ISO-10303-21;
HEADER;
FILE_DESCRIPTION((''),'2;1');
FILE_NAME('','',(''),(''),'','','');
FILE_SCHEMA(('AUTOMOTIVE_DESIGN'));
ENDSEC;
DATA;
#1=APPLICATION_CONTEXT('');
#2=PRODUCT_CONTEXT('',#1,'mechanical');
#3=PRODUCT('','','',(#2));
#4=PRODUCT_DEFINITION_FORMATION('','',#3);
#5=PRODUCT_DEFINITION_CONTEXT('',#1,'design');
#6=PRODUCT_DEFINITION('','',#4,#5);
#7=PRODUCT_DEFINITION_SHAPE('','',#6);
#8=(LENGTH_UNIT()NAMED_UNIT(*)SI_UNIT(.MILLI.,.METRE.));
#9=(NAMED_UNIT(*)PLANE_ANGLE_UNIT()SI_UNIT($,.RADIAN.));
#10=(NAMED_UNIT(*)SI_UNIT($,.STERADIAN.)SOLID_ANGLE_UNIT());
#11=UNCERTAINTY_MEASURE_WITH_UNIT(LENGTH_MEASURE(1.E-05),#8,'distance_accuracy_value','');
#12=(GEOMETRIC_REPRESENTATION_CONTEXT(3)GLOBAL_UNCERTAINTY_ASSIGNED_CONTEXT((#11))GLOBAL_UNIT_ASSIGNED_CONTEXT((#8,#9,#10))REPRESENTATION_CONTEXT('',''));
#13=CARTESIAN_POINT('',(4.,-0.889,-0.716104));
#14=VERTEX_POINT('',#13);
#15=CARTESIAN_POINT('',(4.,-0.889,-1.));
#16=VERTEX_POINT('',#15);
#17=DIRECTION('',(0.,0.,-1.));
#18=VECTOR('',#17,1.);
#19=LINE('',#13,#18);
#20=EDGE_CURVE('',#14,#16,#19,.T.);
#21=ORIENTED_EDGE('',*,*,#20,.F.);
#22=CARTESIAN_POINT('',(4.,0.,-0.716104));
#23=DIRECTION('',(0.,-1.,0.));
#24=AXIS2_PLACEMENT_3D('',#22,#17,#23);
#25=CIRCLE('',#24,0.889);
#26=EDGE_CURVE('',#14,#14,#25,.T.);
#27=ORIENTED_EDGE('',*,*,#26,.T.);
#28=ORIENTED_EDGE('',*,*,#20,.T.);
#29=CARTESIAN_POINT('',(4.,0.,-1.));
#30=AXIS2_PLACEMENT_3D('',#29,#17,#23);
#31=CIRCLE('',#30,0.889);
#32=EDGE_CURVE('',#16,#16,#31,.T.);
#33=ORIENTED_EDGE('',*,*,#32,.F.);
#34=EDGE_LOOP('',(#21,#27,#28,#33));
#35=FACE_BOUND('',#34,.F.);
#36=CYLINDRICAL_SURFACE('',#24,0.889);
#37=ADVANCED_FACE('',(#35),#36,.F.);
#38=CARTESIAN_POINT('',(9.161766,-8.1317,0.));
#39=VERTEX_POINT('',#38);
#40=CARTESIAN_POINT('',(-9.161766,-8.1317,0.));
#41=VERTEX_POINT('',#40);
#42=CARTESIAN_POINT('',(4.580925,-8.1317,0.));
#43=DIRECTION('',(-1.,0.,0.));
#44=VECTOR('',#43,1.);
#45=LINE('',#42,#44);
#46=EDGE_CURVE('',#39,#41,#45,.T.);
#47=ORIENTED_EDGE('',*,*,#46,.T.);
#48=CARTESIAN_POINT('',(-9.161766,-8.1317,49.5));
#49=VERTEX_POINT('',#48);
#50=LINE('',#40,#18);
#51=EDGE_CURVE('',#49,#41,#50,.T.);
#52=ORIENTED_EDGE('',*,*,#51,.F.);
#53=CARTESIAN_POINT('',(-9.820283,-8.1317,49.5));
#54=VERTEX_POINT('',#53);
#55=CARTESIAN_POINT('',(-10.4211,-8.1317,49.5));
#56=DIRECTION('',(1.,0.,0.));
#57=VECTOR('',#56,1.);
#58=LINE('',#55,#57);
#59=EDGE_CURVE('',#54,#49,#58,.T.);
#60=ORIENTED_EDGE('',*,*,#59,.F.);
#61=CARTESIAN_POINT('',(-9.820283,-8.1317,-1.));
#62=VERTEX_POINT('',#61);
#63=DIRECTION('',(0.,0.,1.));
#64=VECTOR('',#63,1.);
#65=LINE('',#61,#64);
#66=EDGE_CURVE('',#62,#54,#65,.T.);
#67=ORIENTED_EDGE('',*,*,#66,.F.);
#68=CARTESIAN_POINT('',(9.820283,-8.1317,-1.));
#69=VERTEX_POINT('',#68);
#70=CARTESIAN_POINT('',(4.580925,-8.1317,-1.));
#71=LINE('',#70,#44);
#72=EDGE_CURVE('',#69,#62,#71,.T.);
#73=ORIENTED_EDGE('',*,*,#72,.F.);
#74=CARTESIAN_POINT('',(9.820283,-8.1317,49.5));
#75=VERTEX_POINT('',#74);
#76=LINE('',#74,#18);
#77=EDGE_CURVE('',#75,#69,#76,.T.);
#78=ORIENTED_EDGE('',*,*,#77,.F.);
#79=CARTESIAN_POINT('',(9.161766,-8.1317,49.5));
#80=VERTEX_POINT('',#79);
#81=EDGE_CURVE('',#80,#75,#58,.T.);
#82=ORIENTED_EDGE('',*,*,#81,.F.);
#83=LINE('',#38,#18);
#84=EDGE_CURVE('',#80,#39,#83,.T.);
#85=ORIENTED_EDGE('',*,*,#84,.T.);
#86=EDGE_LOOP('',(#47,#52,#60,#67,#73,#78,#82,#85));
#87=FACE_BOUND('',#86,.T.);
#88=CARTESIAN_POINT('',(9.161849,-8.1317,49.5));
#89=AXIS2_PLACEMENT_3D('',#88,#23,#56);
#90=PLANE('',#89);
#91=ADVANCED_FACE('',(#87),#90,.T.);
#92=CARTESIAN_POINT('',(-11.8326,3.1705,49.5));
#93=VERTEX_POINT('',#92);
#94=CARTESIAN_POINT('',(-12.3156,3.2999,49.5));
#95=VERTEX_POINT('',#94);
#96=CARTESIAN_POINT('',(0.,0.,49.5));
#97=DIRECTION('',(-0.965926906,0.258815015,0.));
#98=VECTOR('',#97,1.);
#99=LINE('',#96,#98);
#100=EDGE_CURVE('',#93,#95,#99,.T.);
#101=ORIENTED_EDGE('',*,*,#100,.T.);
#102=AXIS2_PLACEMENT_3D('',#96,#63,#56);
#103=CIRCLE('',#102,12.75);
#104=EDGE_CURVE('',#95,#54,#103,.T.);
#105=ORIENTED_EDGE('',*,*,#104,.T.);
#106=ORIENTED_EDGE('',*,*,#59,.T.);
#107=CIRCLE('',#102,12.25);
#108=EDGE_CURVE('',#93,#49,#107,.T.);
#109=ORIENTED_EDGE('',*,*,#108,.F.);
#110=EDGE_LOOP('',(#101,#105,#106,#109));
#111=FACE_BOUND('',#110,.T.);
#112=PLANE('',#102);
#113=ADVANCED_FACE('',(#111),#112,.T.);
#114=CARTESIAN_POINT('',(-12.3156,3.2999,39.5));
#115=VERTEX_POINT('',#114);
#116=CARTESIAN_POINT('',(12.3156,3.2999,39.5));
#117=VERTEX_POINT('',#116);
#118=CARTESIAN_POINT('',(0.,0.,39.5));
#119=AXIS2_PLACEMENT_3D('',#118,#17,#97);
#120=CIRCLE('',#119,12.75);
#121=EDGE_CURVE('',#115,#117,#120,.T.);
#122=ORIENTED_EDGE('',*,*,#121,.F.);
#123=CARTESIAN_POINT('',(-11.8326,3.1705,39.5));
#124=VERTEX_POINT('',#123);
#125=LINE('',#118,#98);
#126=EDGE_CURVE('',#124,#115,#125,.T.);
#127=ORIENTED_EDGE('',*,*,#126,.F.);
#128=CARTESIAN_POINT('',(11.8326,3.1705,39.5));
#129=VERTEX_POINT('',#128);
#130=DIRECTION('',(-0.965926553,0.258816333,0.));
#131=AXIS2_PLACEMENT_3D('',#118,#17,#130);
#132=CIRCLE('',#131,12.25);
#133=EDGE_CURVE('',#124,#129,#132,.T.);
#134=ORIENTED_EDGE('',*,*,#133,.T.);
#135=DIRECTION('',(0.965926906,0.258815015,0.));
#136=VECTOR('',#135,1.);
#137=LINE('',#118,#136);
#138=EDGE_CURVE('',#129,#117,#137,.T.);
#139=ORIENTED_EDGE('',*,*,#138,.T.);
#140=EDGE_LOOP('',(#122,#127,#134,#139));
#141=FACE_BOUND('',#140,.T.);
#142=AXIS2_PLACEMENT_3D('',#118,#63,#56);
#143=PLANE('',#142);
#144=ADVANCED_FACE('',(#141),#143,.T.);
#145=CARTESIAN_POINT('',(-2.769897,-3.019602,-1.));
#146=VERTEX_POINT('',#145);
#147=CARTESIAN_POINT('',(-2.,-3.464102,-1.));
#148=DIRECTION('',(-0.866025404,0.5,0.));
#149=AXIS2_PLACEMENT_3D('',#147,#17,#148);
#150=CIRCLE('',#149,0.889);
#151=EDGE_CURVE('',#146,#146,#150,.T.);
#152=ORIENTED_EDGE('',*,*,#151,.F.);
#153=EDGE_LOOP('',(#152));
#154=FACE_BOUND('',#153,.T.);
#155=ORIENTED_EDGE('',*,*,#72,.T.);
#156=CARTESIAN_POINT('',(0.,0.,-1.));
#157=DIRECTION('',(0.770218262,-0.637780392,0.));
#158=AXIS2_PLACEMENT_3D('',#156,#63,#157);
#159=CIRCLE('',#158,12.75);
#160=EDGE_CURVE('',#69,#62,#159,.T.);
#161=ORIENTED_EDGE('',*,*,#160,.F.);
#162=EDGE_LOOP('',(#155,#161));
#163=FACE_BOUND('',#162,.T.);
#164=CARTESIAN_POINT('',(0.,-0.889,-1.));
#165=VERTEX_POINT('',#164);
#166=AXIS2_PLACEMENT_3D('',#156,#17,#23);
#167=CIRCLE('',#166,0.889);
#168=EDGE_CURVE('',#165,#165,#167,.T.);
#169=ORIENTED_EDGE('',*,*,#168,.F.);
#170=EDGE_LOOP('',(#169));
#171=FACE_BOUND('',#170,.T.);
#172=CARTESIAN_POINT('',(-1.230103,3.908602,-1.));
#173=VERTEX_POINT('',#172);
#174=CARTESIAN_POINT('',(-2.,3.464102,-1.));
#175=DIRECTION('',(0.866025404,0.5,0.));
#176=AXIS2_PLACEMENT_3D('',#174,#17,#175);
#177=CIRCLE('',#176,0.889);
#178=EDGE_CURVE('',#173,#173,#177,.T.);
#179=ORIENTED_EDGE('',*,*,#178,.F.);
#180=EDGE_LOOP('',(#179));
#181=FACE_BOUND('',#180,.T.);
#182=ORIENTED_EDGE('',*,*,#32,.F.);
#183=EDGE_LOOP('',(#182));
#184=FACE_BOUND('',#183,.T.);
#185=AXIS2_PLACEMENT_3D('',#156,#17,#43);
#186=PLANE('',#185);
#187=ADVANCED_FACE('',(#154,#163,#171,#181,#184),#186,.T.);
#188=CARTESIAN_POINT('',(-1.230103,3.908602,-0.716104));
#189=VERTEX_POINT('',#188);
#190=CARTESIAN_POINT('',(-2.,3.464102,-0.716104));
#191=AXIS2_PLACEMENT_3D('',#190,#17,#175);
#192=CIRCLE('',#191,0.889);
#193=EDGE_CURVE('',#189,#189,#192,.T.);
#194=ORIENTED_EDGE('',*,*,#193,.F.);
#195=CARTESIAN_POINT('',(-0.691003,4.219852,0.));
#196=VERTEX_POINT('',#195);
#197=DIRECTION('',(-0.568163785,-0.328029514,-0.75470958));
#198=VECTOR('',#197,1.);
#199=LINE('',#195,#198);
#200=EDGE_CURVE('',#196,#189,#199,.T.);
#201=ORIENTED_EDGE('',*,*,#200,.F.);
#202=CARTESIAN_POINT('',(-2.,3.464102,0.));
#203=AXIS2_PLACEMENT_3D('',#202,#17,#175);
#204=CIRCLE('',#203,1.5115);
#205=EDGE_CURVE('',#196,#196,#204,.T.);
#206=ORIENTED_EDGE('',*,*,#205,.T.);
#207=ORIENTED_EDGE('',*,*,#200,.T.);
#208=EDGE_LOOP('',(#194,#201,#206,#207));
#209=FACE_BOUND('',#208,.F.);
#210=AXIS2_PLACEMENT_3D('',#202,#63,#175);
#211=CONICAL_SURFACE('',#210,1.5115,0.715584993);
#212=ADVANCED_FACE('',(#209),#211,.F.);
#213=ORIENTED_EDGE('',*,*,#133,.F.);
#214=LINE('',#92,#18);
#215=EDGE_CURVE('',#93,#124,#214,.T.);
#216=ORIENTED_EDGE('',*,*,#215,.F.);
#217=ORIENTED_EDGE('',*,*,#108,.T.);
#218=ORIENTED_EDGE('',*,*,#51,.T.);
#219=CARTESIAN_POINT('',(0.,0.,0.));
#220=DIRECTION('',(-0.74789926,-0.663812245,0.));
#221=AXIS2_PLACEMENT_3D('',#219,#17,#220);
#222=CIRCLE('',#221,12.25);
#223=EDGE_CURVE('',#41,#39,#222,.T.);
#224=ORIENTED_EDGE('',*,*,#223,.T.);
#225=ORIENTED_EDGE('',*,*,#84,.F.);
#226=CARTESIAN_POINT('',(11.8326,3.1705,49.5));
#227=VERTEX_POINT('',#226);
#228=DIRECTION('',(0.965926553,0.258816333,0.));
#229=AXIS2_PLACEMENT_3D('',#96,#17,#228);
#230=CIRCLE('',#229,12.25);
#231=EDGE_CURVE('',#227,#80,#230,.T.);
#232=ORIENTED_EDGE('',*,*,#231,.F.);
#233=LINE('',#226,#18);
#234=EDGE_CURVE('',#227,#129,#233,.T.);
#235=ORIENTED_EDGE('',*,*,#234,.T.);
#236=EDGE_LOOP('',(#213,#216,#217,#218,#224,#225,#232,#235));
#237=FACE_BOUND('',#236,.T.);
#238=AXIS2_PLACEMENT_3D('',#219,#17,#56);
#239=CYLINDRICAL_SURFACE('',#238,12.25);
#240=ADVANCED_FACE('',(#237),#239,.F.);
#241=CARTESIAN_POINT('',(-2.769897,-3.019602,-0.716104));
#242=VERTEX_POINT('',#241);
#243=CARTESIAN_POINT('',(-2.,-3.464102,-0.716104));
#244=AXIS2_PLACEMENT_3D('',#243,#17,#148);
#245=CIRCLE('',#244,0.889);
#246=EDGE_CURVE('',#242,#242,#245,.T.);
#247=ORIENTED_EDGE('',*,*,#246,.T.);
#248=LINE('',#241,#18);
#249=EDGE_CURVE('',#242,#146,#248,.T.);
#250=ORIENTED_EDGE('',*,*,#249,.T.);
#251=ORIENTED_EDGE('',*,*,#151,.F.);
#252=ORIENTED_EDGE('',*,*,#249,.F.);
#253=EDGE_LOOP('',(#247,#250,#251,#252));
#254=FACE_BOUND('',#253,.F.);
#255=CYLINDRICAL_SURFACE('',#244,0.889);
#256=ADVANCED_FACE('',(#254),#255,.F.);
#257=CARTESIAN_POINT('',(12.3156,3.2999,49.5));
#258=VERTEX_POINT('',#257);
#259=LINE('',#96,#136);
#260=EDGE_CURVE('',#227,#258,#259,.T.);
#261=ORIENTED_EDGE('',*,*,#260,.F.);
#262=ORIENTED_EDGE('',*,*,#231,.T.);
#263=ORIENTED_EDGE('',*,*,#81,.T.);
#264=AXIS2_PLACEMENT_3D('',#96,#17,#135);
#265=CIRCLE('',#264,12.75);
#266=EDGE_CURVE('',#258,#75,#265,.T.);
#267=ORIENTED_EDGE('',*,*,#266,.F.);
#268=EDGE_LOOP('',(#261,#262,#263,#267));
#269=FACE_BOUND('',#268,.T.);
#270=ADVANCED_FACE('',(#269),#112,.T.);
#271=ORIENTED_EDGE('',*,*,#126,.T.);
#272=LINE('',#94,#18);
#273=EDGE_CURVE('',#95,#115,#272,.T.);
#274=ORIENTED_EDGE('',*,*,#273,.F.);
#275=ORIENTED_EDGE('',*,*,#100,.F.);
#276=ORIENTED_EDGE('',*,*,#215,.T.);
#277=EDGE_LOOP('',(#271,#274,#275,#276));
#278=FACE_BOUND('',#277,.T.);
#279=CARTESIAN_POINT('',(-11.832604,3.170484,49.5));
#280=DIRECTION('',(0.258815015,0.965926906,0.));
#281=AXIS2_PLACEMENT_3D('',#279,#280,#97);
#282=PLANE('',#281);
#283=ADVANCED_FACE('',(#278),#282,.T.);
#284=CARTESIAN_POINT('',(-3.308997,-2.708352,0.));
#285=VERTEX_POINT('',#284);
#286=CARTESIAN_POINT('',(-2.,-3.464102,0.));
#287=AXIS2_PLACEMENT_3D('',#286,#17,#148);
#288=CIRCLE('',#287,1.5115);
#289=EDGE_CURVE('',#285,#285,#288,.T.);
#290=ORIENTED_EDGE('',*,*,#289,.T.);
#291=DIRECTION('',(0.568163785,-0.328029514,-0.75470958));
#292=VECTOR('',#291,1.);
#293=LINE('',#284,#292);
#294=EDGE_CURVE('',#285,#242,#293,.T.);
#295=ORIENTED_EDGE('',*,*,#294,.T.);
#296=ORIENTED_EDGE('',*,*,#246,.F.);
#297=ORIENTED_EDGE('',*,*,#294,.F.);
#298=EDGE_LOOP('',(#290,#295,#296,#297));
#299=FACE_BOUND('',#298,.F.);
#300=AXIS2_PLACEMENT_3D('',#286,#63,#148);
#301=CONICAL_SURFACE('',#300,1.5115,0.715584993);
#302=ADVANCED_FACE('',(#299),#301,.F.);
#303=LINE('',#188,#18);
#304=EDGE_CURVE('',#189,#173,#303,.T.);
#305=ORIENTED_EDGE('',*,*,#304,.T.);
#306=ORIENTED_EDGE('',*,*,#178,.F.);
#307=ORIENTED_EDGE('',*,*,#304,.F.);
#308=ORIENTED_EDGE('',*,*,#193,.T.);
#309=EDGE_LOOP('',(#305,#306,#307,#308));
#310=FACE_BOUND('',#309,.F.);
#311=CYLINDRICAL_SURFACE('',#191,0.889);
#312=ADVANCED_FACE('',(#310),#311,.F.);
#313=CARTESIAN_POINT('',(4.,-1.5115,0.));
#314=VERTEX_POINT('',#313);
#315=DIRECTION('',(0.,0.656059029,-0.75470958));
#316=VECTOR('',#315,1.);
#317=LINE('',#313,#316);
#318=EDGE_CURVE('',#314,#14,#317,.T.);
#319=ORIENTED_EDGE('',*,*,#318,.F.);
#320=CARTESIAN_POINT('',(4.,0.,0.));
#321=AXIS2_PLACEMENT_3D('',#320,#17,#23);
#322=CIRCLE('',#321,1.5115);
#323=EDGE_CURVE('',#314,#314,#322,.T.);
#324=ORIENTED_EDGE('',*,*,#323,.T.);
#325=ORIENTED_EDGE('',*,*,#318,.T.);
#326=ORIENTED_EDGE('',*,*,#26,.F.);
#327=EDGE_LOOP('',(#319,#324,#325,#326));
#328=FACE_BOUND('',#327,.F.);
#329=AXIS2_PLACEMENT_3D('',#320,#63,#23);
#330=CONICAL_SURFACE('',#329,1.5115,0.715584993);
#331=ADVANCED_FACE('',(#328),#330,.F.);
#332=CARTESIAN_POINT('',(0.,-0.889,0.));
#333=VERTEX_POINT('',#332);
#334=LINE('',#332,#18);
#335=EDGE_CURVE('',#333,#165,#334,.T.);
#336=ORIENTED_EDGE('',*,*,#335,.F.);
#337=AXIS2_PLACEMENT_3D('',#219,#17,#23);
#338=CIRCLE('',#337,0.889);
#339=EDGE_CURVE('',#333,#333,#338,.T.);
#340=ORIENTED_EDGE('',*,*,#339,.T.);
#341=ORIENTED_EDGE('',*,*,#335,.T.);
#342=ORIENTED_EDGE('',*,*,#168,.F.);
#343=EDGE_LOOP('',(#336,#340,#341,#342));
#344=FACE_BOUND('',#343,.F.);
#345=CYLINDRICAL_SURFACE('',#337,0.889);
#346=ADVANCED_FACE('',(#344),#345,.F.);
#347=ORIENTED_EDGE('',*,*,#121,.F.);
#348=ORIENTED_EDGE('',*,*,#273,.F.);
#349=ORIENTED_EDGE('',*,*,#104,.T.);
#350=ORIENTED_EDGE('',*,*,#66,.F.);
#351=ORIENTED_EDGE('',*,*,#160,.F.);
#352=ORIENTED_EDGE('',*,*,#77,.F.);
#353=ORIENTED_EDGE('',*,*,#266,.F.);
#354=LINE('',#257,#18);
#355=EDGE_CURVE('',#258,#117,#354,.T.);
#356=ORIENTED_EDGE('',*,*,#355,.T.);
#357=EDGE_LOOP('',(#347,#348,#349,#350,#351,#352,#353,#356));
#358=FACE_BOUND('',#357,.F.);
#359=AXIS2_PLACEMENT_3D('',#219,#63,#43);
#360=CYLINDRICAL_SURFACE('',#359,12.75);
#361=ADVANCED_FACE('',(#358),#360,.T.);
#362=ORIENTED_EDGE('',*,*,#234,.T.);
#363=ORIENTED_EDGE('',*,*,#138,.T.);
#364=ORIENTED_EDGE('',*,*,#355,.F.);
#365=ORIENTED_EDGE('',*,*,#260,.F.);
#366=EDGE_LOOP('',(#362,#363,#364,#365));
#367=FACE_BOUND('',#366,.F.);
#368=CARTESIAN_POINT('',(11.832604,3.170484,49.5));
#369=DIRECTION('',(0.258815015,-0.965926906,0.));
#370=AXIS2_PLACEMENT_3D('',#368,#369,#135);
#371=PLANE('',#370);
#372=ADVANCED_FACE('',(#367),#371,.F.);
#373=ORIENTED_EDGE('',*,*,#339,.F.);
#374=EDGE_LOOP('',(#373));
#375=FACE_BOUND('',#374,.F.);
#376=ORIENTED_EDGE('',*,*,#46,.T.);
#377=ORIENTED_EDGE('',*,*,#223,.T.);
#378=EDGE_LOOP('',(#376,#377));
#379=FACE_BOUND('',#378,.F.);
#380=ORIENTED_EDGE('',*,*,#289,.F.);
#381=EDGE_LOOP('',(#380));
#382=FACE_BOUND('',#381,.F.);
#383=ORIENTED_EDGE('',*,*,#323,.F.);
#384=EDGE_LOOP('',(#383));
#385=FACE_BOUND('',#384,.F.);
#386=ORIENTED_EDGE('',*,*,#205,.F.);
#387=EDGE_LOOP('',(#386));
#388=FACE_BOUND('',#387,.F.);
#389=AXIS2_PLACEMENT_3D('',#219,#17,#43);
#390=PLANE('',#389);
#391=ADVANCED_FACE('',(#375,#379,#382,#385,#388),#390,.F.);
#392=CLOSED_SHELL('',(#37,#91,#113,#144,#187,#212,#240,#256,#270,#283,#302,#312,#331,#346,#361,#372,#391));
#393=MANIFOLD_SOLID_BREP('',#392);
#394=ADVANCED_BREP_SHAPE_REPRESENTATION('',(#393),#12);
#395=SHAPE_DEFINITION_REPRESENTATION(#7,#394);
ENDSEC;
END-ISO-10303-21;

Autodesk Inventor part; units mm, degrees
ref_plane "YZ Plane" through (0, 0, 0) normal (1, 0, 0) x (0, 1, 0)
sketch "Sketch1" plane through (0, 0, 0) normal (0, 0, 1) x (1, 0, 0)
  circle A0 centre (0, 0) radius 12.75
  circle A1 centre (0, 0) radius 12.25
  dimension "d0" = 25.5
  dimension "d1" = 24.5
extrude "Extrusion1" add sketch "Sketch1" along normal blind 49.5
sketch "Sketch2" plane through (0, 0, 49.5) normal (0, 0, 1) x (1, 0, 0)
  line L0 (-17.85, 0) -> (17.85, 0) projected
  line L1 (0, -17.85) -> (0, 17.85) projected
  line L2 (0, 0) -> (-12.3156, 3.2999)
  line L3 (0, 0) -> (-9.0156, -9.0156)
  line L4 (0, 0) -> (12.3156, 3.2999)
  line L5 (0, 0) -> (9.0156, -9.0156)
  arc A0 (11.8326, 3.1705) -> (-11.8326, 3.1705) centre (0, 0) ccw
  arc A1 (-8.6621, -8.6621) -> (8.6621, -8.6621) centre (0, 0) ccw
  circle A2 centre (0, 0) radius 12.75 projected
  dimension "d4" = 15
  dimension "d5" = 45
extrude "Extrusion2" cut sketch "Sketch2" against normal blind 10 contours L5 A1 L1 | L1 A1 L3 | A1 L5 A2 L1 | L1 A2 L3 A1 | A0 L2 A2 L1 | L1 A2 L4 A0
sketch "Sketch3" plane through (0, 0, 0) normal (0, 0, -1) x (-1, 0, 0)
  circle A0 centre (0, 0) radius 12.75 projected
extrude "Extrusion3" add sketch "Sketch3" along normal blind 1
ref_plane "Work Plane1" through (0, -12.75, 0) normal (0, 1, 0) x (-1, 0, 0)
ref_plane "Work Plane2" through (0, -12.75, 0) normal (0, 1, 0) x (-1, 0, 0)
sketch "Sketch7" plane through (0, 0, 49.5) normal (0, 0, 1) x (1, 0, 0)
  arc A0 (9.0156, -9.0156) -> (12.3156, 3.2999) centre (0, 0) ccw projected
  arc A1 (8.6621, -8.6621) -> (11.8326, 3.1705) centre (0, 0) ccw projected
  line L0 (8.6621, -8.6621) -> (9.0156, -9.0156) projected
  line L1 (-10.4211, -8.1317) -> (11.1081, -8.1317)
  line L2 (11.1081, -8.1317) -> (11.1081, -13.0652)
  line L3 (11.1081, -13.0652) -> (-10.4211, -13.0652)
  line L4 (-10.4211, -13.0652) -> (-10.4211, -8.1317)
extrude "Extrusion6" cut sketch "Sketch7" against normal through all
sketch "Sketch9" plane through (0, 0, 0) normal (0, 0, 1) x (1, 0, 0)
  arc A0 (9.1617, -8.1317) -> (-9.1617, -8.1317) centre (0, 0) ccw projected
  line L0 (-17.85, 0) -> (17.85, 0) projected
  point P0 (4, 0)
  dimension "d29" = 4
hole "Hole2" at (4, 0, 0) direction (0, 0, -1) diameter 1.778 depth 8 tip angle 118 countersink diameter 3.023 countersink angle 82 clearance for "Flat Head Machine Screw (82)" size "#0" standard "Ansi Unified Screw Threads"
pattern_circular "Circular Pattern1" count 3 over 360 about axis through (0, 0, -10) along (0, 0, 1) of "Hole2"
sketch "Sketch10" plane through (0, 0, 0) normal (0, 0, 1) x (1, 0, 0)
  arc A0 (9.1617, -8.1317) -> (-9.1617, -8.1317) centre (0, 0) ccw projected
hole "Hole3" at (0, 0, 0) direction (0, 0, -1) diameter 1.778 end through all
properties part number "ss_inner_guide_top"
